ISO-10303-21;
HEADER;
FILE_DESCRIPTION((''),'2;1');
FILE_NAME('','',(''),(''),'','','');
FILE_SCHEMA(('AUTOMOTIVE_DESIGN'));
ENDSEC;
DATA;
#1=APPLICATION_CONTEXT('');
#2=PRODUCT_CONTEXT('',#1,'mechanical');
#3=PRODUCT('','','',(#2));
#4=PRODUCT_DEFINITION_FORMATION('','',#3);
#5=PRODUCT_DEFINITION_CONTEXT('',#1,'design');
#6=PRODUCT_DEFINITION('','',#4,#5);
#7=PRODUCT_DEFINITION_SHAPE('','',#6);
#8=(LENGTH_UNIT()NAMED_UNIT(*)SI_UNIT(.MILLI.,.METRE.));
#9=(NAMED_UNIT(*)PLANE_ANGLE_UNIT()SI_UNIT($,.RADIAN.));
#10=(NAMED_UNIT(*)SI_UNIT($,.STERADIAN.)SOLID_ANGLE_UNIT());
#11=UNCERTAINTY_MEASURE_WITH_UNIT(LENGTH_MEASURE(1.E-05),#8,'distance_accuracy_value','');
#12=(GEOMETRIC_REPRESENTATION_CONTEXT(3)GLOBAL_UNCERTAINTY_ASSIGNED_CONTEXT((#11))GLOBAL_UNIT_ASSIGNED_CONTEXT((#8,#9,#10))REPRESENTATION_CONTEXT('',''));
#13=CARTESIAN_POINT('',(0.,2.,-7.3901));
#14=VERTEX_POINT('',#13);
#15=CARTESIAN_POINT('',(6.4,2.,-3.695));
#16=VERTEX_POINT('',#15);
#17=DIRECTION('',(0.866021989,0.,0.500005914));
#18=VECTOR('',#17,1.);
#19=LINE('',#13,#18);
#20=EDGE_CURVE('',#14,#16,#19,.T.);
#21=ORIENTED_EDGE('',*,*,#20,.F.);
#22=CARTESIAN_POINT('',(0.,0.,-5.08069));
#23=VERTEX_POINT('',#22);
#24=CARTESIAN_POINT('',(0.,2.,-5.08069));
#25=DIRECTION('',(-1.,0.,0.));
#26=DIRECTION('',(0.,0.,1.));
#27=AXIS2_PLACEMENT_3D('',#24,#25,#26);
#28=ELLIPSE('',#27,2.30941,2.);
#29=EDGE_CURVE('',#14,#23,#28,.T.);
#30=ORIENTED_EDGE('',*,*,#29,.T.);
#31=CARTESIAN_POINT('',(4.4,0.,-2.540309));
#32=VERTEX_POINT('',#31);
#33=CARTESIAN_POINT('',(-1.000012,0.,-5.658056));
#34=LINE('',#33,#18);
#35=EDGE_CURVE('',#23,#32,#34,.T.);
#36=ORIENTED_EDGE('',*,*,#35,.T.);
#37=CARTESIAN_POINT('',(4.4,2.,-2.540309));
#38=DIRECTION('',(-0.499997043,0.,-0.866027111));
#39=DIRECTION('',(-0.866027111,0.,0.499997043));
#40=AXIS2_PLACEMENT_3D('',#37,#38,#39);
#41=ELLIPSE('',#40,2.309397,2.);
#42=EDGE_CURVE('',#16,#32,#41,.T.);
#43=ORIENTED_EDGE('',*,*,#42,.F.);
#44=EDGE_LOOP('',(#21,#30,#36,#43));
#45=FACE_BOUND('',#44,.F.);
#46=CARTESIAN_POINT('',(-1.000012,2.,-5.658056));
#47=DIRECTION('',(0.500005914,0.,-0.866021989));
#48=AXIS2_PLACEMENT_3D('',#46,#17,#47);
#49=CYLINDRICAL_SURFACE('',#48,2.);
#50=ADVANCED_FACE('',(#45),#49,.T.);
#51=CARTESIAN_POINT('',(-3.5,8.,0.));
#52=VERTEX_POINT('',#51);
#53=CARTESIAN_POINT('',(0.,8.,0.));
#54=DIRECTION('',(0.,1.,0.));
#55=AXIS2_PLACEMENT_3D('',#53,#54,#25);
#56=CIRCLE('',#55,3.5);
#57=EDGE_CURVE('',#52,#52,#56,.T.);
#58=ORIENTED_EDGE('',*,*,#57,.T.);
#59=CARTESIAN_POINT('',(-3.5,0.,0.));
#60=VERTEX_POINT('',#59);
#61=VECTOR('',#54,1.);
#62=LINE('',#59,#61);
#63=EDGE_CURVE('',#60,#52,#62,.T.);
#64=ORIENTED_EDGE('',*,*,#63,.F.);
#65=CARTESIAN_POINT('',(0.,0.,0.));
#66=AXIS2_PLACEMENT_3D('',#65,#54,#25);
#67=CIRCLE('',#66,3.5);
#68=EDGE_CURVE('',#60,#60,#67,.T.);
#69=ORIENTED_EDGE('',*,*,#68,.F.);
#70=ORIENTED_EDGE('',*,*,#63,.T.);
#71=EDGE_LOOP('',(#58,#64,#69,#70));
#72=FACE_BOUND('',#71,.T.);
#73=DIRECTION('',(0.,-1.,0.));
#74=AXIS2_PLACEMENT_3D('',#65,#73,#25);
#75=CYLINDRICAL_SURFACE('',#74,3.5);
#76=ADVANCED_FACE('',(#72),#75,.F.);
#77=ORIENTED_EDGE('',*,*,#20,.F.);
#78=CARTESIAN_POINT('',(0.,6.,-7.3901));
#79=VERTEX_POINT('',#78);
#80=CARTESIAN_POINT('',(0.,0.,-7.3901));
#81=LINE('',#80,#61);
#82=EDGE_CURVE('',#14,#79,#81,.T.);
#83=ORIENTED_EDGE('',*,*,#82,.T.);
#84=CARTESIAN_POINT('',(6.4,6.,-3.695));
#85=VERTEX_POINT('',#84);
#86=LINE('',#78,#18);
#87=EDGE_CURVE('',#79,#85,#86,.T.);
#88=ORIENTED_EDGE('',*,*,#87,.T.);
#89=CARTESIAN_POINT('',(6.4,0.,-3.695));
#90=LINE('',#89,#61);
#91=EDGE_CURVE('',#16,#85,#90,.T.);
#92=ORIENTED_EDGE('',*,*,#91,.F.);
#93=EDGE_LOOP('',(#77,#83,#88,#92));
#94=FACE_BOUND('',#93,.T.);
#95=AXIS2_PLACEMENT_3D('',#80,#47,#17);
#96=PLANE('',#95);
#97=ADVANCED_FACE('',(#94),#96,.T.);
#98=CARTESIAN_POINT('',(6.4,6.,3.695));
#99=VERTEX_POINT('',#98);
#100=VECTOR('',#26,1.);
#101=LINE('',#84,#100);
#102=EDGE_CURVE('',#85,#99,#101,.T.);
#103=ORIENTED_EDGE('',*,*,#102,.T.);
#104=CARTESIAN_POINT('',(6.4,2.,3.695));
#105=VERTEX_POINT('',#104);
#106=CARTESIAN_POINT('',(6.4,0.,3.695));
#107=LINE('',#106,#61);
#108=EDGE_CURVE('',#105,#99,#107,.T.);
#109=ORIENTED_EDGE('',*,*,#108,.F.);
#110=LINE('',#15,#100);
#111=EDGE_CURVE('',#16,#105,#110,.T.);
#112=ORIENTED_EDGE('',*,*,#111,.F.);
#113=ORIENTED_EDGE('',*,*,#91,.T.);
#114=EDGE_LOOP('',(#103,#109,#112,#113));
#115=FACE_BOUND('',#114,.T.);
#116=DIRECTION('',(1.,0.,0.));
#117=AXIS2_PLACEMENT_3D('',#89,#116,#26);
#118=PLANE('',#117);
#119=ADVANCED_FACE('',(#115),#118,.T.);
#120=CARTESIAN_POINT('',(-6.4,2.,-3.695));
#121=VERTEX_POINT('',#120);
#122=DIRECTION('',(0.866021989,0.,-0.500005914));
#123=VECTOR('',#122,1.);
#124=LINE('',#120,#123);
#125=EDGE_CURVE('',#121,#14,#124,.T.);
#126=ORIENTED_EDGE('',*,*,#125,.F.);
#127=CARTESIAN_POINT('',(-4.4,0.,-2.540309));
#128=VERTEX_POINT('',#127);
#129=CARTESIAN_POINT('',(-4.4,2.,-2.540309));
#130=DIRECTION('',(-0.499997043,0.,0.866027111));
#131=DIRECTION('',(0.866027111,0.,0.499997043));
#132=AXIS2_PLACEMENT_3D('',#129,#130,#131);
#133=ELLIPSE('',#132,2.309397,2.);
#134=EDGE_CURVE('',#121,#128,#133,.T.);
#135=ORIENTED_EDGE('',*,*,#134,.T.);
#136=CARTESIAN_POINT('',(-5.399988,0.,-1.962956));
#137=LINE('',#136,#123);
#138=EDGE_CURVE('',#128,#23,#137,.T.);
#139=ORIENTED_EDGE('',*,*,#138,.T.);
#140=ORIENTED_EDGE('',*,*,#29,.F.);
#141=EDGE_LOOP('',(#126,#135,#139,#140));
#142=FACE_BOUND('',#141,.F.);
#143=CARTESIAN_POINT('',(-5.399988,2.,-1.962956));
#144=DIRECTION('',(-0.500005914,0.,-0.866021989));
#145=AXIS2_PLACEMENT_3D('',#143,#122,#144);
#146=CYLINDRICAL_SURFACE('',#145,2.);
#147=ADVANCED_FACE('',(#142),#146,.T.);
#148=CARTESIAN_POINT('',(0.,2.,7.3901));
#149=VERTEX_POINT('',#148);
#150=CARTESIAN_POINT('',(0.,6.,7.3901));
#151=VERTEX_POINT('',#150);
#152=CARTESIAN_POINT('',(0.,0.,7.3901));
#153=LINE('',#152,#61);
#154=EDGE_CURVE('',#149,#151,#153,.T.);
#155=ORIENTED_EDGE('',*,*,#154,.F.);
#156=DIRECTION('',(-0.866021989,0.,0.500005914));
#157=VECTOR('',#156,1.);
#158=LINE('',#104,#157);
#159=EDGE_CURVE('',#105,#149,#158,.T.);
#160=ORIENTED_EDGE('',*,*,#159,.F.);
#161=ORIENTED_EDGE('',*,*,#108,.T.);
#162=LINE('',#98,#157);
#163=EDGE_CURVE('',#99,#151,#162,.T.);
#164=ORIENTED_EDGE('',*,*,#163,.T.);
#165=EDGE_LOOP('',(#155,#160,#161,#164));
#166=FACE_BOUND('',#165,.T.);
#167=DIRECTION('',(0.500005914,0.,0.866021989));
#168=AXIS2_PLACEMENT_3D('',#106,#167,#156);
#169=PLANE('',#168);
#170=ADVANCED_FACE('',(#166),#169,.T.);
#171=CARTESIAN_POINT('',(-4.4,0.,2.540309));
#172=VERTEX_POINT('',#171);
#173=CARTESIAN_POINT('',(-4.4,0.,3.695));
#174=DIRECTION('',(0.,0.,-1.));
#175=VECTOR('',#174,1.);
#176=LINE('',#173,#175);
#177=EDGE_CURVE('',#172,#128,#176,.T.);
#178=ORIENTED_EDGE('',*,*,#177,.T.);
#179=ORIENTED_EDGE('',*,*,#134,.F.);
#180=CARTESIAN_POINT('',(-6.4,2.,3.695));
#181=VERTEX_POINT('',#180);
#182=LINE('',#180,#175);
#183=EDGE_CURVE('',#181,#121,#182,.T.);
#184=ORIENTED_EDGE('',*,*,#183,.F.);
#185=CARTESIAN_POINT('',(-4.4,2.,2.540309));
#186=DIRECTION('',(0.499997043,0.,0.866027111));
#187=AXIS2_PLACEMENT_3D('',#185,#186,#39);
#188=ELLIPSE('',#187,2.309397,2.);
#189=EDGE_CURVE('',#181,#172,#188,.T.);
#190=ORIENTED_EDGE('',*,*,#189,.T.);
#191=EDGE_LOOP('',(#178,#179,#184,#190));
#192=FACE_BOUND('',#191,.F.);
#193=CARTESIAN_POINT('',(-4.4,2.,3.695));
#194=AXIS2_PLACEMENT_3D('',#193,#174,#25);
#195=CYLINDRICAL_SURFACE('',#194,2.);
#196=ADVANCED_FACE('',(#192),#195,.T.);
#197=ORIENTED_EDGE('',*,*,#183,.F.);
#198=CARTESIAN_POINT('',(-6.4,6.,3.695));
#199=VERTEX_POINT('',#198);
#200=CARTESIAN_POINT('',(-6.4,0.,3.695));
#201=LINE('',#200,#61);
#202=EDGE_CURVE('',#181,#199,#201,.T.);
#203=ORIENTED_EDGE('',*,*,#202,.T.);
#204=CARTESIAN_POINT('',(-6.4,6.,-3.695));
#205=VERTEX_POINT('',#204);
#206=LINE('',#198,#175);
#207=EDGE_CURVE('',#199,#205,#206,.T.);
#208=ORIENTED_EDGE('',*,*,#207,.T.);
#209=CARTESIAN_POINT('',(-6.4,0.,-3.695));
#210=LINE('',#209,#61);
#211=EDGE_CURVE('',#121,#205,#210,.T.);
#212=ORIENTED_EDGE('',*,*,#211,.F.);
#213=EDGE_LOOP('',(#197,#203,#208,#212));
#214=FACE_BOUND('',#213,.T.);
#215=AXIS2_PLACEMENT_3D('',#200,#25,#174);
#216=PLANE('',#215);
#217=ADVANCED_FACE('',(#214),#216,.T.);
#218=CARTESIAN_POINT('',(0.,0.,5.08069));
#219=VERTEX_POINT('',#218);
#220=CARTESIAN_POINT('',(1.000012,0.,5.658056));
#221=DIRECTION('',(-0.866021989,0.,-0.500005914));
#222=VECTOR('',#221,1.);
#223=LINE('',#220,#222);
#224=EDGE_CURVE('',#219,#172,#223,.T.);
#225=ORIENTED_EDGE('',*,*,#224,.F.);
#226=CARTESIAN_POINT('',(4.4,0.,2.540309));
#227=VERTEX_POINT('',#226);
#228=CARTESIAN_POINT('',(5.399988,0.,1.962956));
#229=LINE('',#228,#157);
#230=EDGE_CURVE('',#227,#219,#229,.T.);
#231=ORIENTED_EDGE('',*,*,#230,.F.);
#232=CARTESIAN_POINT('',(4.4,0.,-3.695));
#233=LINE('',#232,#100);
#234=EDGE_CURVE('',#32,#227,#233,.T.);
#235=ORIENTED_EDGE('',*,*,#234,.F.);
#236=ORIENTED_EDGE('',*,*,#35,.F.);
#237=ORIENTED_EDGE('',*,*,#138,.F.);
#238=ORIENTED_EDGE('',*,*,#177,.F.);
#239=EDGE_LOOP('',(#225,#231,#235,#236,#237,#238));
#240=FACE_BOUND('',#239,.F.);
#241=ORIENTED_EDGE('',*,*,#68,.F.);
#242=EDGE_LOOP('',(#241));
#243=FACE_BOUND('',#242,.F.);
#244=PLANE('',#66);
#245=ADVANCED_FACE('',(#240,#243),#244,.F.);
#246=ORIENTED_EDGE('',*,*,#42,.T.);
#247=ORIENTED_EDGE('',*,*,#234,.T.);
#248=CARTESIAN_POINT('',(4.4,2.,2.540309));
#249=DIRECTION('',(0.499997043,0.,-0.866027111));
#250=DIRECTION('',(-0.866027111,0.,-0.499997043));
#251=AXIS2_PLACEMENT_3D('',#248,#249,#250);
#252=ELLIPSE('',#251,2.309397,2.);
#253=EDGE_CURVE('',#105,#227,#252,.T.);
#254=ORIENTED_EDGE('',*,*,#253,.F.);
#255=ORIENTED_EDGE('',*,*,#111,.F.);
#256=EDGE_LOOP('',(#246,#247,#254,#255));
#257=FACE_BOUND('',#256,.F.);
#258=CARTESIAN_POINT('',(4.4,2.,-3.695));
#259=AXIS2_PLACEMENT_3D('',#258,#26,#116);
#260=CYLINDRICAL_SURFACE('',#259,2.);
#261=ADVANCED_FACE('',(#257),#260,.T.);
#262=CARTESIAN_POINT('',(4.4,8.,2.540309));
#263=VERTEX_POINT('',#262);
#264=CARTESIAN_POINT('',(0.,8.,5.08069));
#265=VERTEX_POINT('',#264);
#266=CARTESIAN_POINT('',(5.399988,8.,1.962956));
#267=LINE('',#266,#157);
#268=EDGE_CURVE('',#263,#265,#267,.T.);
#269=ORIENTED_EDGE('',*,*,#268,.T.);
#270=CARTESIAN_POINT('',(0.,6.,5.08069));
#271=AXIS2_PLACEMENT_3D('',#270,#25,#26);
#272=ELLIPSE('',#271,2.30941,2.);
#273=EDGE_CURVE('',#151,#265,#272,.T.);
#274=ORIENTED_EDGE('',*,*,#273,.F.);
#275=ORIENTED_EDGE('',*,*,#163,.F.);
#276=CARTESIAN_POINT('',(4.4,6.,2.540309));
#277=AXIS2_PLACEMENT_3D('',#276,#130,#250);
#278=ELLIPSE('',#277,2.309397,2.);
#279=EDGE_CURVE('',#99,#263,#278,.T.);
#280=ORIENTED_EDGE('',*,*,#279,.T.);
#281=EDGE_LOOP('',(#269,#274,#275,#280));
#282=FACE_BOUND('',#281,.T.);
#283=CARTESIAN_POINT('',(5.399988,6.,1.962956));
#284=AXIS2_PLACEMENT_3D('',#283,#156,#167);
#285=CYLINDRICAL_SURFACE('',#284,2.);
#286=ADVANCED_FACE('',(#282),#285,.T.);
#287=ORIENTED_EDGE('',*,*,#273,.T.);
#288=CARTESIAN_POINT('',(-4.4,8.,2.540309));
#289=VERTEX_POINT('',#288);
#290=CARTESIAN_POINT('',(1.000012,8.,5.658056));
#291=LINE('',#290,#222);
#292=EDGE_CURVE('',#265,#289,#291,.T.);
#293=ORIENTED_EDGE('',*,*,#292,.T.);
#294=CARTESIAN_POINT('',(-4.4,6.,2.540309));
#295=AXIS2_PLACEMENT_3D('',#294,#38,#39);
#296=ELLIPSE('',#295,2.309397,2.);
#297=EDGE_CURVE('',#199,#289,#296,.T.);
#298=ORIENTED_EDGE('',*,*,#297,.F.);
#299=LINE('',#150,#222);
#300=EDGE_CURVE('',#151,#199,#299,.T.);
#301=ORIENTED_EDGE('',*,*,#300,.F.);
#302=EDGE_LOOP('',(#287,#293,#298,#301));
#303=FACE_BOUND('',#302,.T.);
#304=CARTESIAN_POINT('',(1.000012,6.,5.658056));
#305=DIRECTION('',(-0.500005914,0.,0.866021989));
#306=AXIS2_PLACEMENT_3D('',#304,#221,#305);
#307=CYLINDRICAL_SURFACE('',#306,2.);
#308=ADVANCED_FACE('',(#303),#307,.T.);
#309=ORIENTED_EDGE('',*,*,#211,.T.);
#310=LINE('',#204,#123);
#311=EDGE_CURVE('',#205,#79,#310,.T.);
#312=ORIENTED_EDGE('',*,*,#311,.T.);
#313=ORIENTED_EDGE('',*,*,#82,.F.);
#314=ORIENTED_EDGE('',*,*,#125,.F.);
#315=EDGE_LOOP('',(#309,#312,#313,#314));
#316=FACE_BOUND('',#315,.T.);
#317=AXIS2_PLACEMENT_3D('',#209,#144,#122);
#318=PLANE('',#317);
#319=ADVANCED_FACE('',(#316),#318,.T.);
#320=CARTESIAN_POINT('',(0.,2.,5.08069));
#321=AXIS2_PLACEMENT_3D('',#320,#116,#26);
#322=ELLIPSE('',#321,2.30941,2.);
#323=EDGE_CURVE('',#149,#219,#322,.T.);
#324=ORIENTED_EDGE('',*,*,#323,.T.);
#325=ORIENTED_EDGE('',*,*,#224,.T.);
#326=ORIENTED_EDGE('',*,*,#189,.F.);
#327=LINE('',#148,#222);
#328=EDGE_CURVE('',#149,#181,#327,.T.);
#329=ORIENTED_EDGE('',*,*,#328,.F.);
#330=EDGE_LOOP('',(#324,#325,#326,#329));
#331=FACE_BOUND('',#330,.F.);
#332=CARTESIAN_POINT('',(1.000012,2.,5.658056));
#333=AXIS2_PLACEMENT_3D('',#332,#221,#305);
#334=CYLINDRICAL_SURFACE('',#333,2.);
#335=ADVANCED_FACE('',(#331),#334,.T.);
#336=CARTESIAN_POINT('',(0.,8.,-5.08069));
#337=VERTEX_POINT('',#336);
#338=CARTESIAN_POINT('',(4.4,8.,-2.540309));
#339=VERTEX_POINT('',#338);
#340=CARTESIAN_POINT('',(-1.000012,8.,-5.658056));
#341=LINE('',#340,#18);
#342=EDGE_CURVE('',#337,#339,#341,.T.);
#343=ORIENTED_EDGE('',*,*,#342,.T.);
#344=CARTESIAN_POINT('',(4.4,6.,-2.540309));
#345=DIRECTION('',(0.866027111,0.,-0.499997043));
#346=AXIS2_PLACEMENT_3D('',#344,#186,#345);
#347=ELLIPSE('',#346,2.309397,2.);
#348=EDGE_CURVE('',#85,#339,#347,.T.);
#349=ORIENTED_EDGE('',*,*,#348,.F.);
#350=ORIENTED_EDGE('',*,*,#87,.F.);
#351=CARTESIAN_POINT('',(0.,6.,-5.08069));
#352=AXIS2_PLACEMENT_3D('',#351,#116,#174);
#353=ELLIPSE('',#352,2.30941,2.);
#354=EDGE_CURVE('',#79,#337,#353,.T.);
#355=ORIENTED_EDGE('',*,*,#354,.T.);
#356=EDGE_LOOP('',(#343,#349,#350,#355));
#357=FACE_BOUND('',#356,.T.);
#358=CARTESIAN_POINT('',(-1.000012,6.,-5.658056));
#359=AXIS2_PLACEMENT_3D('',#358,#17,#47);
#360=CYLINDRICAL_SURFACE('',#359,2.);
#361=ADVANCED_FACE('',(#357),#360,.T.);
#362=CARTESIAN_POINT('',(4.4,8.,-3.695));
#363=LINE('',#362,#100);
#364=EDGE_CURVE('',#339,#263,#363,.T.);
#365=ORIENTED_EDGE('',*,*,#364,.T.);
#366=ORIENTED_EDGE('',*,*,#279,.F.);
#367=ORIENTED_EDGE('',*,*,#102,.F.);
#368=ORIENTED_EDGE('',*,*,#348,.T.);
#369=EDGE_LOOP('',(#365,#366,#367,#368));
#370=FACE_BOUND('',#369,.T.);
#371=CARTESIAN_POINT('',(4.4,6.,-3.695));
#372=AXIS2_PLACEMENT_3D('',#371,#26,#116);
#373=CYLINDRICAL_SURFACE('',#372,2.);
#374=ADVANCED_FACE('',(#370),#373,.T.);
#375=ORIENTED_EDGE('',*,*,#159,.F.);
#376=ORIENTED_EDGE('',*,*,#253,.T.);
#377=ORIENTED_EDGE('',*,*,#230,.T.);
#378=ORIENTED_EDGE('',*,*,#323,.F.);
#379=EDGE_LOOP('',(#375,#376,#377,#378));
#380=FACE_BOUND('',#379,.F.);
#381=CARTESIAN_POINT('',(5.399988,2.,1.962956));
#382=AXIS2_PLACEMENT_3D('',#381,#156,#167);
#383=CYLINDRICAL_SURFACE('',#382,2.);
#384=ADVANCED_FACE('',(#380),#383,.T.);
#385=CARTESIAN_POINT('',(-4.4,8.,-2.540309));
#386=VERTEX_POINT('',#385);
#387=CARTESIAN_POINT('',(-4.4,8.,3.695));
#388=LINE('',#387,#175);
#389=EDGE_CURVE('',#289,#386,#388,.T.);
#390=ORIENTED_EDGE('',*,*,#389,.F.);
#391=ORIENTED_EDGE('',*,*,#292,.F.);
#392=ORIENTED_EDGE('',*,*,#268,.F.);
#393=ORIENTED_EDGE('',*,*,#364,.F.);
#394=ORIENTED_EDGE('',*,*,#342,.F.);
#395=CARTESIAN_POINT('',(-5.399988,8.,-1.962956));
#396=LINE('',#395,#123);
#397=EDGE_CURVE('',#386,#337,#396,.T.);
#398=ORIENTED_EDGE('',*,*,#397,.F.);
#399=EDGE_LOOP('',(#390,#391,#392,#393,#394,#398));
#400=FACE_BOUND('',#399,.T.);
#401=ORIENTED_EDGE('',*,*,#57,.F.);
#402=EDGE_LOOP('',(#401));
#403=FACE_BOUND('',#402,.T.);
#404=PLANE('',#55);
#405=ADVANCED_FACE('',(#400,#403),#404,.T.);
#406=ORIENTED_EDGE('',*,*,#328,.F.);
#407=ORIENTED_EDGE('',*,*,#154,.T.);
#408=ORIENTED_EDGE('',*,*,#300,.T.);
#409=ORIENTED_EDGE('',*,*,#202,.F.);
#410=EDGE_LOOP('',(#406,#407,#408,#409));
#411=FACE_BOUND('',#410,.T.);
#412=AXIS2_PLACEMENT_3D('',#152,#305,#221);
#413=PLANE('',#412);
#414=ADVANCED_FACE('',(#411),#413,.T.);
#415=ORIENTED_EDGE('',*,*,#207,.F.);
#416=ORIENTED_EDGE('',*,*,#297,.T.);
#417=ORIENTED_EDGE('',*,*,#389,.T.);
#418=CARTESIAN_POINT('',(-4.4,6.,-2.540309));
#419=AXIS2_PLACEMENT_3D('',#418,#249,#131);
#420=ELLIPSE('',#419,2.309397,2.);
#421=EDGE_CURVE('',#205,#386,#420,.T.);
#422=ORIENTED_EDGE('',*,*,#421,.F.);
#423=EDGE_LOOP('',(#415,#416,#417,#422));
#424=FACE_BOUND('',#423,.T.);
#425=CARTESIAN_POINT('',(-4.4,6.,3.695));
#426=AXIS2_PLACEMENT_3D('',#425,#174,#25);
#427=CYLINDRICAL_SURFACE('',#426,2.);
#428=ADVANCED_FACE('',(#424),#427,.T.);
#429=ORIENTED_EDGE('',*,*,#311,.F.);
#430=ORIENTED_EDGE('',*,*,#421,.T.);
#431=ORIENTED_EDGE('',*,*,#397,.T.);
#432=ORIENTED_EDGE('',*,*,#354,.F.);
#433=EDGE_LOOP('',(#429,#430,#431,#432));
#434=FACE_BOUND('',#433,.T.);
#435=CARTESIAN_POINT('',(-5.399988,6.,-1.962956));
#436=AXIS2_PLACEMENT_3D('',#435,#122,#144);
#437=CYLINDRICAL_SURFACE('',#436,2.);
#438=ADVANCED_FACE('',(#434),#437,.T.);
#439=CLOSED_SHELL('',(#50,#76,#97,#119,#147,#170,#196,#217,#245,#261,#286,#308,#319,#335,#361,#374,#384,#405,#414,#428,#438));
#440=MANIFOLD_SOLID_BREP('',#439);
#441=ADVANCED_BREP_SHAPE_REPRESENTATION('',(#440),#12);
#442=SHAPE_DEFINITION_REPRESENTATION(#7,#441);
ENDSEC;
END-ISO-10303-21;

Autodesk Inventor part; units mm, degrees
ref_plane "YZ Plane" through (0, 0, 0) normal (1, 0, 0) x (0, 1, 0)
ref_plane "XZ Plane" through (0, 0, 0) normal (0, 1, 0) x (-1, 0, 0)
ref_plane "XY Plane" through (0, 0, 0) normal (0, 0, 1) x (1, 0, 0)
sketch "Boceto1" plane through (0, 0, 0) normal (0, 1, 0) x (-1, 0, 0)
  line L0 (0, -7.3901) -> (-6.4, -3.695)
  line L1 (-6.4, -3.695) -> (-6.4, 3.695)
  line L2 (-6.4, 3.695) -> (0, 7.3901)
  line L3 (0, 7.3901) -> (6.4, 3.695)
  line L4 (6.4, 3.695) -> (6.4, -3.695)
  line L5 (6.4, -3.695) -> (0, -7.3901)
  circle A0 centre (0, 0) radius 3.5
  dimension "d0" = 6.4
  dimension "d1" = 0
  dimension "d2" = 7
extrude "Extrusión1" add sketch "Boceto1" along normal blind 8
fillet "Empalme1" radius 2 12 edges at (3.2, 8, 5.5426) (-3.2, 8, 5.5426) (-3.2, 8, -5.5426) (3.2, 8, -5.5426) (6.4, 8, 0) (-6.4, 8, 0) (3.2, 0, 5.5426) (6.4, 0, 0) (-3.2, 0, 5.5426) (3.2, 0, -5.5426) (-3.2, 0, -5.5426) (-6.4, 0, 0)
thread "Rosca1" size "M7x1" class "6H" standard "ANSI Metric M Profile" full length
properties part number "BASE_TUERCA"
